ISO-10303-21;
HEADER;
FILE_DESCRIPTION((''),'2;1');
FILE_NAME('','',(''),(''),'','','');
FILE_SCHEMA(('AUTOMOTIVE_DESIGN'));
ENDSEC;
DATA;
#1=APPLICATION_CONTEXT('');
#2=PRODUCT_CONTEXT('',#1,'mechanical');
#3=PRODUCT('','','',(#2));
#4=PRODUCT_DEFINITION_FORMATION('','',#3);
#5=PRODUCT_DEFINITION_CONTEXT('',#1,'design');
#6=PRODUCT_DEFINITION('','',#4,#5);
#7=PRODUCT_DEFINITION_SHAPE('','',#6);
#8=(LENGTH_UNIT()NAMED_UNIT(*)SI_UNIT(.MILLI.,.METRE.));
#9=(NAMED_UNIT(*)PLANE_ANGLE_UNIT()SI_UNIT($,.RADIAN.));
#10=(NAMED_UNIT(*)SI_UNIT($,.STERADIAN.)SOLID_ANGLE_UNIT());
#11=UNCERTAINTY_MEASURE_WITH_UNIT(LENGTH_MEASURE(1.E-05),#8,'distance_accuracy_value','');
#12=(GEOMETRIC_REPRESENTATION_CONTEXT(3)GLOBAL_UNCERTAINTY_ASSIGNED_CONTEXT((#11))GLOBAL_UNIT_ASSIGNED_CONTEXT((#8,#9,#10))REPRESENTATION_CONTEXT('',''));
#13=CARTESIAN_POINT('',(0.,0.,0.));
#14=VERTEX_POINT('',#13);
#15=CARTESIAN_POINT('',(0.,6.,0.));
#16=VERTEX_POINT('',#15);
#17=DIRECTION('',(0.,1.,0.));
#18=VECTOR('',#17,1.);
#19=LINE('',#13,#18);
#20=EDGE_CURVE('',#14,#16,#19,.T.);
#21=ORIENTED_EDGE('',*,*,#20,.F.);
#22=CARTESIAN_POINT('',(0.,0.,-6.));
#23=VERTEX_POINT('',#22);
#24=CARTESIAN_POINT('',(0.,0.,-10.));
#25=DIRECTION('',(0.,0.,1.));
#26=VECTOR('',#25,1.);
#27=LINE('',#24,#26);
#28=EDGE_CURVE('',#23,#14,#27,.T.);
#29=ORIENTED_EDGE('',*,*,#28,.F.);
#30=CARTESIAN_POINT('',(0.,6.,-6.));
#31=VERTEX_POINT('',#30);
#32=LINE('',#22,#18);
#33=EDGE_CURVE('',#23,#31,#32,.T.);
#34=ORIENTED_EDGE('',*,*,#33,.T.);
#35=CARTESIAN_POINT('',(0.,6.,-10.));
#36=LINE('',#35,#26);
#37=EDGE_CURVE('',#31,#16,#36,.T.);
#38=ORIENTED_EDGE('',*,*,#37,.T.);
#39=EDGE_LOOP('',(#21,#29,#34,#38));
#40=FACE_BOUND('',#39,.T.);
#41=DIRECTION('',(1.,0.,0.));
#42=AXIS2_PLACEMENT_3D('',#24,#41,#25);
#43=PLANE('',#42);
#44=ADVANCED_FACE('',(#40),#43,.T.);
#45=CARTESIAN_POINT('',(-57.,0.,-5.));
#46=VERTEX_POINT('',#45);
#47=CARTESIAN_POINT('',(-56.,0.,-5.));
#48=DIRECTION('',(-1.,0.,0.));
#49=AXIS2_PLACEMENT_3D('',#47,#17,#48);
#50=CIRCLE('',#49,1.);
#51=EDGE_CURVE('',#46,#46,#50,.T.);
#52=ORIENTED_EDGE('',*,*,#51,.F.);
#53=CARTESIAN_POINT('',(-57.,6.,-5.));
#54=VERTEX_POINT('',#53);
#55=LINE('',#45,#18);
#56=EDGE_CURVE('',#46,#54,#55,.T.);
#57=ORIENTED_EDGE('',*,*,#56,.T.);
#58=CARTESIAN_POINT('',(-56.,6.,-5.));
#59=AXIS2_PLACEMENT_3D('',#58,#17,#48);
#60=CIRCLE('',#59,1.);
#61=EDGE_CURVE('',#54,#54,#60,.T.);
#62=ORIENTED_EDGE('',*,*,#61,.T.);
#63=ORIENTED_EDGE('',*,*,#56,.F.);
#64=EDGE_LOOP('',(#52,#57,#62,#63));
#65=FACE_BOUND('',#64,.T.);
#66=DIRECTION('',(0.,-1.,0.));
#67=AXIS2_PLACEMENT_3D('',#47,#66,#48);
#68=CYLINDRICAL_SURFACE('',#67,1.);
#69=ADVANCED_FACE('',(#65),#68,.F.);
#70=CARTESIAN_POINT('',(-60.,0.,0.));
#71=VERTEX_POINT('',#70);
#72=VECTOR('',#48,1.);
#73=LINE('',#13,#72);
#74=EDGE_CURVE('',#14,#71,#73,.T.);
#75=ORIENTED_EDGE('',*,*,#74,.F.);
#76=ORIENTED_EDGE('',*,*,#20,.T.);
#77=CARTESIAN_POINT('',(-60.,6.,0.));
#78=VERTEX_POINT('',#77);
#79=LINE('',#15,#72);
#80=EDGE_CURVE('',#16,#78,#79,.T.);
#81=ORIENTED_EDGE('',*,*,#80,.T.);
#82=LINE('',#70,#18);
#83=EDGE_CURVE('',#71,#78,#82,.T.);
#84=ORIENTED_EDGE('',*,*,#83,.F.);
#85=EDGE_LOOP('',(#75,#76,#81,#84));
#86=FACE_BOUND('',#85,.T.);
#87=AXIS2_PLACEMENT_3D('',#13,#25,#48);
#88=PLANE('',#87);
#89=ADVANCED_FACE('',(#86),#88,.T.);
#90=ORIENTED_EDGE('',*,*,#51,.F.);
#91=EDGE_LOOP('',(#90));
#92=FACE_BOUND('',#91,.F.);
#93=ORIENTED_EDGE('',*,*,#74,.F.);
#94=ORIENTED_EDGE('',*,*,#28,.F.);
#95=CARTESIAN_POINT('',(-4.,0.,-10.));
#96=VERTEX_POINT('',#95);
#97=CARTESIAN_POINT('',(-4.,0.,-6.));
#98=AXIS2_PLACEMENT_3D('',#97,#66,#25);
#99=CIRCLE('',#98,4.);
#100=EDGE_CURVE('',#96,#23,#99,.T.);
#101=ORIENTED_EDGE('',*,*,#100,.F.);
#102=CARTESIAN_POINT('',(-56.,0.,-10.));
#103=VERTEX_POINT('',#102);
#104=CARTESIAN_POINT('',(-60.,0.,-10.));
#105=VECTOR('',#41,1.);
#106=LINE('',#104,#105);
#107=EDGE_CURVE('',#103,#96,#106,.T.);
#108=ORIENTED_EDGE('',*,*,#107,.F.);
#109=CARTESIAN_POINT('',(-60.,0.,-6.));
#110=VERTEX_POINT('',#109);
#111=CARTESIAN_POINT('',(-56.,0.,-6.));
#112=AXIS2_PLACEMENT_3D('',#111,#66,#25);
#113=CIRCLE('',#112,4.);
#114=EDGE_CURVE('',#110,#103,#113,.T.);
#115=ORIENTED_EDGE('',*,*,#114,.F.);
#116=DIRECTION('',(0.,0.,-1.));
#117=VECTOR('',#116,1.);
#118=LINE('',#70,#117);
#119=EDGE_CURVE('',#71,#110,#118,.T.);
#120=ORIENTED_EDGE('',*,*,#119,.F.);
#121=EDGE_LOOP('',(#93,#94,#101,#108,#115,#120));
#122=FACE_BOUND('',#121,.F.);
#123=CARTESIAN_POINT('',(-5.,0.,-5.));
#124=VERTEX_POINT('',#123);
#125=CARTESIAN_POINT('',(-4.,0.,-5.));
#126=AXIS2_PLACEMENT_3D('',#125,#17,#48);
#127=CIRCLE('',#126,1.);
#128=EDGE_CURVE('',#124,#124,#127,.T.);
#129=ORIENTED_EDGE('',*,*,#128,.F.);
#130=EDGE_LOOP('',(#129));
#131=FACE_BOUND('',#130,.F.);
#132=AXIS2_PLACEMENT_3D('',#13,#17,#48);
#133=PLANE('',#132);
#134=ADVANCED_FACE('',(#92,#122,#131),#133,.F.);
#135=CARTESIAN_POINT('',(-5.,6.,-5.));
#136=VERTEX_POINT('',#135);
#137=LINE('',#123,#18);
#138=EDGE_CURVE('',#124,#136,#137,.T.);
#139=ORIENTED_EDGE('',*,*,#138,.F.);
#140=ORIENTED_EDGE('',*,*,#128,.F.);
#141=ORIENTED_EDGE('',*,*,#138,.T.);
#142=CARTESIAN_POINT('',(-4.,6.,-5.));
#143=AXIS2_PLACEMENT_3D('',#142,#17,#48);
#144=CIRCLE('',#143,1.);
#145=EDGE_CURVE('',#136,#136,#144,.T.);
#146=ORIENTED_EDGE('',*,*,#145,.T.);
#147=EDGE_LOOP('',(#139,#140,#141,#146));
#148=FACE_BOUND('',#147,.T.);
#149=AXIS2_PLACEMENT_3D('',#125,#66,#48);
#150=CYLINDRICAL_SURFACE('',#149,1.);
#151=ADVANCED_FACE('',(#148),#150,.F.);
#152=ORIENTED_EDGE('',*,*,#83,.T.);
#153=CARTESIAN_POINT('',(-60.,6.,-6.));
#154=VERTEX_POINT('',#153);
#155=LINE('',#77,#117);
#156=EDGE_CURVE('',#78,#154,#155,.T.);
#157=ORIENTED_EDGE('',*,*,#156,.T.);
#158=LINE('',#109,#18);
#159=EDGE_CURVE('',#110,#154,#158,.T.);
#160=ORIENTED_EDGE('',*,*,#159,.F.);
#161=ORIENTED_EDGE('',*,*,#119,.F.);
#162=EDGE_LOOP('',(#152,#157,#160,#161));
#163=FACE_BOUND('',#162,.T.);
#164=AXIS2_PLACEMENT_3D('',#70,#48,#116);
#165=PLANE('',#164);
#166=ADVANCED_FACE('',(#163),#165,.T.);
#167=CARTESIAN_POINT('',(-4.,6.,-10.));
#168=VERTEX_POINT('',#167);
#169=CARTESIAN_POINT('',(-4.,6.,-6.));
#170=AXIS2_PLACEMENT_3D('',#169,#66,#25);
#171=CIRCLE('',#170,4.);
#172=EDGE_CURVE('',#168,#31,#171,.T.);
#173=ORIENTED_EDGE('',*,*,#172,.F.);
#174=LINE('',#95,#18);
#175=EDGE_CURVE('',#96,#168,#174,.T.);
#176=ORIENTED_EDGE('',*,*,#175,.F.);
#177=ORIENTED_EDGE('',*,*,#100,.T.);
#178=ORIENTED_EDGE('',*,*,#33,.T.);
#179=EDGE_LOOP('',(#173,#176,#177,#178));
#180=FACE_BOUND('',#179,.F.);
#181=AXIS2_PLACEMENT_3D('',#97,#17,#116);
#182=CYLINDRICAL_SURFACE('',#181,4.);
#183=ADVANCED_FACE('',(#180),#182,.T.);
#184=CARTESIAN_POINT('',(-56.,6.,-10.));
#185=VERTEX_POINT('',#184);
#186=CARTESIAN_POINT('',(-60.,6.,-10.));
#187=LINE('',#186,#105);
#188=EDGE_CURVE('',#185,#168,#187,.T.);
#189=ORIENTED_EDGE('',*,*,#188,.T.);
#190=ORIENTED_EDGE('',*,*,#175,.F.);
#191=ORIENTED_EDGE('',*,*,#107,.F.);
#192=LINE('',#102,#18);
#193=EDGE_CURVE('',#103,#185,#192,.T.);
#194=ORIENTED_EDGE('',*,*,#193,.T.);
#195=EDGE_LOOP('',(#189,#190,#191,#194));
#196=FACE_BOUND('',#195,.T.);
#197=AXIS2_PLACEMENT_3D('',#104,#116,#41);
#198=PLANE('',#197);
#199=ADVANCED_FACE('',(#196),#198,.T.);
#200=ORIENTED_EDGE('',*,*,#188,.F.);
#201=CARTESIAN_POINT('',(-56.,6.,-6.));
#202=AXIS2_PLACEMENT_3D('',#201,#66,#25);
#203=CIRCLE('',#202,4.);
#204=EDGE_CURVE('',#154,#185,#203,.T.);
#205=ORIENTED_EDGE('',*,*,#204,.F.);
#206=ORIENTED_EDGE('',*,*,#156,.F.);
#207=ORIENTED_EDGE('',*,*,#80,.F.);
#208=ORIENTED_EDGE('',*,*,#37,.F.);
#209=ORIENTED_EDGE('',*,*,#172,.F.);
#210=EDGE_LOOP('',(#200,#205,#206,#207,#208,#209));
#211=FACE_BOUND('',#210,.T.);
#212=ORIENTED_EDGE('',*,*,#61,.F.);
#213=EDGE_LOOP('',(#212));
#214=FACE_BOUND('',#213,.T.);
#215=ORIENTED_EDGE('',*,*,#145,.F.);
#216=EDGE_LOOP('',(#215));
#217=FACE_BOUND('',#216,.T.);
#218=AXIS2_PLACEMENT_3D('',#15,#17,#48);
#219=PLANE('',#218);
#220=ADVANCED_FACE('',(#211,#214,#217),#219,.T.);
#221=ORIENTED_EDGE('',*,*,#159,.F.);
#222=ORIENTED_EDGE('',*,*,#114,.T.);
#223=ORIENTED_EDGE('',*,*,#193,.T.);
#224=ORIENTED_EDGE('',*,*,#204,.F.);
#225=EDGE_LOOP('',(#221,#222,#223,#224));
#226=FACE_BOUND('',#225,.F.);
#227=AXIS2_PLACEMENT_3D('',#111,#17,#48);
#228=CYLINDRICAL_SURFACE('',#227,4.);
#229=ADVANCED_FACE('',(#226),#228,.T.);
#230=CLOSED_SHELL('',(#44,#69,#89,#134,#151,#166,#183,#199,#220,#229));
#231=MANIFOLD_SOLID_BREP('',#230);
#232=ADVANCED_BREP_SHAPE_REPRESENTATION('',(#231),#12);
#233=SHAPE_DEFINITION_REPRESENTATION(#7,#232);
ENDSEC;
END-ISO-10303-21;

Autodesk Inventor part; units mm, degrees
ref_plane "YZ Plane" through (0, 0, 0) normal (1, 0, 0) x (0, 1, 0)
ref_plane "XZ Plane" through (0, 0, 0) normal (0, 1, 0) x (-1, 0, 0)
ref_plane "XY Plane" through (0, 0, 0) normal (0, 0, 1) x (1, 0, 0)
sketch "Sketch1" plane through (0, 0, 0) normal (0, 1, 0) x (-1, 0, 0)
  line L0 (0, 0) -> (60, 0)
  line L1 (60, 0) -> (60, -10)
  line L2 (60, -10) -> (0, -10)
  line L3 (0, -10) -> (0, 0)
  circle A0 centre (4, -5) radius 1
  circle A1 centre (56, -5) radius 1
  line L4 (60, -5) -> (0, -5) construction
  dimension "d0" = 10
  dimension "d1" = 60
  dimension "d2" = 2
  dimension "d3" = 4
  dimension "d4" = 4
extrude "Extrusion1" add sketch "Sketch1" along normal blind 6
fillet "Fillet1" radius 4 2 edges at (0, 3, -10) (-60, 3, -10)
properties part number "humidity_support"
